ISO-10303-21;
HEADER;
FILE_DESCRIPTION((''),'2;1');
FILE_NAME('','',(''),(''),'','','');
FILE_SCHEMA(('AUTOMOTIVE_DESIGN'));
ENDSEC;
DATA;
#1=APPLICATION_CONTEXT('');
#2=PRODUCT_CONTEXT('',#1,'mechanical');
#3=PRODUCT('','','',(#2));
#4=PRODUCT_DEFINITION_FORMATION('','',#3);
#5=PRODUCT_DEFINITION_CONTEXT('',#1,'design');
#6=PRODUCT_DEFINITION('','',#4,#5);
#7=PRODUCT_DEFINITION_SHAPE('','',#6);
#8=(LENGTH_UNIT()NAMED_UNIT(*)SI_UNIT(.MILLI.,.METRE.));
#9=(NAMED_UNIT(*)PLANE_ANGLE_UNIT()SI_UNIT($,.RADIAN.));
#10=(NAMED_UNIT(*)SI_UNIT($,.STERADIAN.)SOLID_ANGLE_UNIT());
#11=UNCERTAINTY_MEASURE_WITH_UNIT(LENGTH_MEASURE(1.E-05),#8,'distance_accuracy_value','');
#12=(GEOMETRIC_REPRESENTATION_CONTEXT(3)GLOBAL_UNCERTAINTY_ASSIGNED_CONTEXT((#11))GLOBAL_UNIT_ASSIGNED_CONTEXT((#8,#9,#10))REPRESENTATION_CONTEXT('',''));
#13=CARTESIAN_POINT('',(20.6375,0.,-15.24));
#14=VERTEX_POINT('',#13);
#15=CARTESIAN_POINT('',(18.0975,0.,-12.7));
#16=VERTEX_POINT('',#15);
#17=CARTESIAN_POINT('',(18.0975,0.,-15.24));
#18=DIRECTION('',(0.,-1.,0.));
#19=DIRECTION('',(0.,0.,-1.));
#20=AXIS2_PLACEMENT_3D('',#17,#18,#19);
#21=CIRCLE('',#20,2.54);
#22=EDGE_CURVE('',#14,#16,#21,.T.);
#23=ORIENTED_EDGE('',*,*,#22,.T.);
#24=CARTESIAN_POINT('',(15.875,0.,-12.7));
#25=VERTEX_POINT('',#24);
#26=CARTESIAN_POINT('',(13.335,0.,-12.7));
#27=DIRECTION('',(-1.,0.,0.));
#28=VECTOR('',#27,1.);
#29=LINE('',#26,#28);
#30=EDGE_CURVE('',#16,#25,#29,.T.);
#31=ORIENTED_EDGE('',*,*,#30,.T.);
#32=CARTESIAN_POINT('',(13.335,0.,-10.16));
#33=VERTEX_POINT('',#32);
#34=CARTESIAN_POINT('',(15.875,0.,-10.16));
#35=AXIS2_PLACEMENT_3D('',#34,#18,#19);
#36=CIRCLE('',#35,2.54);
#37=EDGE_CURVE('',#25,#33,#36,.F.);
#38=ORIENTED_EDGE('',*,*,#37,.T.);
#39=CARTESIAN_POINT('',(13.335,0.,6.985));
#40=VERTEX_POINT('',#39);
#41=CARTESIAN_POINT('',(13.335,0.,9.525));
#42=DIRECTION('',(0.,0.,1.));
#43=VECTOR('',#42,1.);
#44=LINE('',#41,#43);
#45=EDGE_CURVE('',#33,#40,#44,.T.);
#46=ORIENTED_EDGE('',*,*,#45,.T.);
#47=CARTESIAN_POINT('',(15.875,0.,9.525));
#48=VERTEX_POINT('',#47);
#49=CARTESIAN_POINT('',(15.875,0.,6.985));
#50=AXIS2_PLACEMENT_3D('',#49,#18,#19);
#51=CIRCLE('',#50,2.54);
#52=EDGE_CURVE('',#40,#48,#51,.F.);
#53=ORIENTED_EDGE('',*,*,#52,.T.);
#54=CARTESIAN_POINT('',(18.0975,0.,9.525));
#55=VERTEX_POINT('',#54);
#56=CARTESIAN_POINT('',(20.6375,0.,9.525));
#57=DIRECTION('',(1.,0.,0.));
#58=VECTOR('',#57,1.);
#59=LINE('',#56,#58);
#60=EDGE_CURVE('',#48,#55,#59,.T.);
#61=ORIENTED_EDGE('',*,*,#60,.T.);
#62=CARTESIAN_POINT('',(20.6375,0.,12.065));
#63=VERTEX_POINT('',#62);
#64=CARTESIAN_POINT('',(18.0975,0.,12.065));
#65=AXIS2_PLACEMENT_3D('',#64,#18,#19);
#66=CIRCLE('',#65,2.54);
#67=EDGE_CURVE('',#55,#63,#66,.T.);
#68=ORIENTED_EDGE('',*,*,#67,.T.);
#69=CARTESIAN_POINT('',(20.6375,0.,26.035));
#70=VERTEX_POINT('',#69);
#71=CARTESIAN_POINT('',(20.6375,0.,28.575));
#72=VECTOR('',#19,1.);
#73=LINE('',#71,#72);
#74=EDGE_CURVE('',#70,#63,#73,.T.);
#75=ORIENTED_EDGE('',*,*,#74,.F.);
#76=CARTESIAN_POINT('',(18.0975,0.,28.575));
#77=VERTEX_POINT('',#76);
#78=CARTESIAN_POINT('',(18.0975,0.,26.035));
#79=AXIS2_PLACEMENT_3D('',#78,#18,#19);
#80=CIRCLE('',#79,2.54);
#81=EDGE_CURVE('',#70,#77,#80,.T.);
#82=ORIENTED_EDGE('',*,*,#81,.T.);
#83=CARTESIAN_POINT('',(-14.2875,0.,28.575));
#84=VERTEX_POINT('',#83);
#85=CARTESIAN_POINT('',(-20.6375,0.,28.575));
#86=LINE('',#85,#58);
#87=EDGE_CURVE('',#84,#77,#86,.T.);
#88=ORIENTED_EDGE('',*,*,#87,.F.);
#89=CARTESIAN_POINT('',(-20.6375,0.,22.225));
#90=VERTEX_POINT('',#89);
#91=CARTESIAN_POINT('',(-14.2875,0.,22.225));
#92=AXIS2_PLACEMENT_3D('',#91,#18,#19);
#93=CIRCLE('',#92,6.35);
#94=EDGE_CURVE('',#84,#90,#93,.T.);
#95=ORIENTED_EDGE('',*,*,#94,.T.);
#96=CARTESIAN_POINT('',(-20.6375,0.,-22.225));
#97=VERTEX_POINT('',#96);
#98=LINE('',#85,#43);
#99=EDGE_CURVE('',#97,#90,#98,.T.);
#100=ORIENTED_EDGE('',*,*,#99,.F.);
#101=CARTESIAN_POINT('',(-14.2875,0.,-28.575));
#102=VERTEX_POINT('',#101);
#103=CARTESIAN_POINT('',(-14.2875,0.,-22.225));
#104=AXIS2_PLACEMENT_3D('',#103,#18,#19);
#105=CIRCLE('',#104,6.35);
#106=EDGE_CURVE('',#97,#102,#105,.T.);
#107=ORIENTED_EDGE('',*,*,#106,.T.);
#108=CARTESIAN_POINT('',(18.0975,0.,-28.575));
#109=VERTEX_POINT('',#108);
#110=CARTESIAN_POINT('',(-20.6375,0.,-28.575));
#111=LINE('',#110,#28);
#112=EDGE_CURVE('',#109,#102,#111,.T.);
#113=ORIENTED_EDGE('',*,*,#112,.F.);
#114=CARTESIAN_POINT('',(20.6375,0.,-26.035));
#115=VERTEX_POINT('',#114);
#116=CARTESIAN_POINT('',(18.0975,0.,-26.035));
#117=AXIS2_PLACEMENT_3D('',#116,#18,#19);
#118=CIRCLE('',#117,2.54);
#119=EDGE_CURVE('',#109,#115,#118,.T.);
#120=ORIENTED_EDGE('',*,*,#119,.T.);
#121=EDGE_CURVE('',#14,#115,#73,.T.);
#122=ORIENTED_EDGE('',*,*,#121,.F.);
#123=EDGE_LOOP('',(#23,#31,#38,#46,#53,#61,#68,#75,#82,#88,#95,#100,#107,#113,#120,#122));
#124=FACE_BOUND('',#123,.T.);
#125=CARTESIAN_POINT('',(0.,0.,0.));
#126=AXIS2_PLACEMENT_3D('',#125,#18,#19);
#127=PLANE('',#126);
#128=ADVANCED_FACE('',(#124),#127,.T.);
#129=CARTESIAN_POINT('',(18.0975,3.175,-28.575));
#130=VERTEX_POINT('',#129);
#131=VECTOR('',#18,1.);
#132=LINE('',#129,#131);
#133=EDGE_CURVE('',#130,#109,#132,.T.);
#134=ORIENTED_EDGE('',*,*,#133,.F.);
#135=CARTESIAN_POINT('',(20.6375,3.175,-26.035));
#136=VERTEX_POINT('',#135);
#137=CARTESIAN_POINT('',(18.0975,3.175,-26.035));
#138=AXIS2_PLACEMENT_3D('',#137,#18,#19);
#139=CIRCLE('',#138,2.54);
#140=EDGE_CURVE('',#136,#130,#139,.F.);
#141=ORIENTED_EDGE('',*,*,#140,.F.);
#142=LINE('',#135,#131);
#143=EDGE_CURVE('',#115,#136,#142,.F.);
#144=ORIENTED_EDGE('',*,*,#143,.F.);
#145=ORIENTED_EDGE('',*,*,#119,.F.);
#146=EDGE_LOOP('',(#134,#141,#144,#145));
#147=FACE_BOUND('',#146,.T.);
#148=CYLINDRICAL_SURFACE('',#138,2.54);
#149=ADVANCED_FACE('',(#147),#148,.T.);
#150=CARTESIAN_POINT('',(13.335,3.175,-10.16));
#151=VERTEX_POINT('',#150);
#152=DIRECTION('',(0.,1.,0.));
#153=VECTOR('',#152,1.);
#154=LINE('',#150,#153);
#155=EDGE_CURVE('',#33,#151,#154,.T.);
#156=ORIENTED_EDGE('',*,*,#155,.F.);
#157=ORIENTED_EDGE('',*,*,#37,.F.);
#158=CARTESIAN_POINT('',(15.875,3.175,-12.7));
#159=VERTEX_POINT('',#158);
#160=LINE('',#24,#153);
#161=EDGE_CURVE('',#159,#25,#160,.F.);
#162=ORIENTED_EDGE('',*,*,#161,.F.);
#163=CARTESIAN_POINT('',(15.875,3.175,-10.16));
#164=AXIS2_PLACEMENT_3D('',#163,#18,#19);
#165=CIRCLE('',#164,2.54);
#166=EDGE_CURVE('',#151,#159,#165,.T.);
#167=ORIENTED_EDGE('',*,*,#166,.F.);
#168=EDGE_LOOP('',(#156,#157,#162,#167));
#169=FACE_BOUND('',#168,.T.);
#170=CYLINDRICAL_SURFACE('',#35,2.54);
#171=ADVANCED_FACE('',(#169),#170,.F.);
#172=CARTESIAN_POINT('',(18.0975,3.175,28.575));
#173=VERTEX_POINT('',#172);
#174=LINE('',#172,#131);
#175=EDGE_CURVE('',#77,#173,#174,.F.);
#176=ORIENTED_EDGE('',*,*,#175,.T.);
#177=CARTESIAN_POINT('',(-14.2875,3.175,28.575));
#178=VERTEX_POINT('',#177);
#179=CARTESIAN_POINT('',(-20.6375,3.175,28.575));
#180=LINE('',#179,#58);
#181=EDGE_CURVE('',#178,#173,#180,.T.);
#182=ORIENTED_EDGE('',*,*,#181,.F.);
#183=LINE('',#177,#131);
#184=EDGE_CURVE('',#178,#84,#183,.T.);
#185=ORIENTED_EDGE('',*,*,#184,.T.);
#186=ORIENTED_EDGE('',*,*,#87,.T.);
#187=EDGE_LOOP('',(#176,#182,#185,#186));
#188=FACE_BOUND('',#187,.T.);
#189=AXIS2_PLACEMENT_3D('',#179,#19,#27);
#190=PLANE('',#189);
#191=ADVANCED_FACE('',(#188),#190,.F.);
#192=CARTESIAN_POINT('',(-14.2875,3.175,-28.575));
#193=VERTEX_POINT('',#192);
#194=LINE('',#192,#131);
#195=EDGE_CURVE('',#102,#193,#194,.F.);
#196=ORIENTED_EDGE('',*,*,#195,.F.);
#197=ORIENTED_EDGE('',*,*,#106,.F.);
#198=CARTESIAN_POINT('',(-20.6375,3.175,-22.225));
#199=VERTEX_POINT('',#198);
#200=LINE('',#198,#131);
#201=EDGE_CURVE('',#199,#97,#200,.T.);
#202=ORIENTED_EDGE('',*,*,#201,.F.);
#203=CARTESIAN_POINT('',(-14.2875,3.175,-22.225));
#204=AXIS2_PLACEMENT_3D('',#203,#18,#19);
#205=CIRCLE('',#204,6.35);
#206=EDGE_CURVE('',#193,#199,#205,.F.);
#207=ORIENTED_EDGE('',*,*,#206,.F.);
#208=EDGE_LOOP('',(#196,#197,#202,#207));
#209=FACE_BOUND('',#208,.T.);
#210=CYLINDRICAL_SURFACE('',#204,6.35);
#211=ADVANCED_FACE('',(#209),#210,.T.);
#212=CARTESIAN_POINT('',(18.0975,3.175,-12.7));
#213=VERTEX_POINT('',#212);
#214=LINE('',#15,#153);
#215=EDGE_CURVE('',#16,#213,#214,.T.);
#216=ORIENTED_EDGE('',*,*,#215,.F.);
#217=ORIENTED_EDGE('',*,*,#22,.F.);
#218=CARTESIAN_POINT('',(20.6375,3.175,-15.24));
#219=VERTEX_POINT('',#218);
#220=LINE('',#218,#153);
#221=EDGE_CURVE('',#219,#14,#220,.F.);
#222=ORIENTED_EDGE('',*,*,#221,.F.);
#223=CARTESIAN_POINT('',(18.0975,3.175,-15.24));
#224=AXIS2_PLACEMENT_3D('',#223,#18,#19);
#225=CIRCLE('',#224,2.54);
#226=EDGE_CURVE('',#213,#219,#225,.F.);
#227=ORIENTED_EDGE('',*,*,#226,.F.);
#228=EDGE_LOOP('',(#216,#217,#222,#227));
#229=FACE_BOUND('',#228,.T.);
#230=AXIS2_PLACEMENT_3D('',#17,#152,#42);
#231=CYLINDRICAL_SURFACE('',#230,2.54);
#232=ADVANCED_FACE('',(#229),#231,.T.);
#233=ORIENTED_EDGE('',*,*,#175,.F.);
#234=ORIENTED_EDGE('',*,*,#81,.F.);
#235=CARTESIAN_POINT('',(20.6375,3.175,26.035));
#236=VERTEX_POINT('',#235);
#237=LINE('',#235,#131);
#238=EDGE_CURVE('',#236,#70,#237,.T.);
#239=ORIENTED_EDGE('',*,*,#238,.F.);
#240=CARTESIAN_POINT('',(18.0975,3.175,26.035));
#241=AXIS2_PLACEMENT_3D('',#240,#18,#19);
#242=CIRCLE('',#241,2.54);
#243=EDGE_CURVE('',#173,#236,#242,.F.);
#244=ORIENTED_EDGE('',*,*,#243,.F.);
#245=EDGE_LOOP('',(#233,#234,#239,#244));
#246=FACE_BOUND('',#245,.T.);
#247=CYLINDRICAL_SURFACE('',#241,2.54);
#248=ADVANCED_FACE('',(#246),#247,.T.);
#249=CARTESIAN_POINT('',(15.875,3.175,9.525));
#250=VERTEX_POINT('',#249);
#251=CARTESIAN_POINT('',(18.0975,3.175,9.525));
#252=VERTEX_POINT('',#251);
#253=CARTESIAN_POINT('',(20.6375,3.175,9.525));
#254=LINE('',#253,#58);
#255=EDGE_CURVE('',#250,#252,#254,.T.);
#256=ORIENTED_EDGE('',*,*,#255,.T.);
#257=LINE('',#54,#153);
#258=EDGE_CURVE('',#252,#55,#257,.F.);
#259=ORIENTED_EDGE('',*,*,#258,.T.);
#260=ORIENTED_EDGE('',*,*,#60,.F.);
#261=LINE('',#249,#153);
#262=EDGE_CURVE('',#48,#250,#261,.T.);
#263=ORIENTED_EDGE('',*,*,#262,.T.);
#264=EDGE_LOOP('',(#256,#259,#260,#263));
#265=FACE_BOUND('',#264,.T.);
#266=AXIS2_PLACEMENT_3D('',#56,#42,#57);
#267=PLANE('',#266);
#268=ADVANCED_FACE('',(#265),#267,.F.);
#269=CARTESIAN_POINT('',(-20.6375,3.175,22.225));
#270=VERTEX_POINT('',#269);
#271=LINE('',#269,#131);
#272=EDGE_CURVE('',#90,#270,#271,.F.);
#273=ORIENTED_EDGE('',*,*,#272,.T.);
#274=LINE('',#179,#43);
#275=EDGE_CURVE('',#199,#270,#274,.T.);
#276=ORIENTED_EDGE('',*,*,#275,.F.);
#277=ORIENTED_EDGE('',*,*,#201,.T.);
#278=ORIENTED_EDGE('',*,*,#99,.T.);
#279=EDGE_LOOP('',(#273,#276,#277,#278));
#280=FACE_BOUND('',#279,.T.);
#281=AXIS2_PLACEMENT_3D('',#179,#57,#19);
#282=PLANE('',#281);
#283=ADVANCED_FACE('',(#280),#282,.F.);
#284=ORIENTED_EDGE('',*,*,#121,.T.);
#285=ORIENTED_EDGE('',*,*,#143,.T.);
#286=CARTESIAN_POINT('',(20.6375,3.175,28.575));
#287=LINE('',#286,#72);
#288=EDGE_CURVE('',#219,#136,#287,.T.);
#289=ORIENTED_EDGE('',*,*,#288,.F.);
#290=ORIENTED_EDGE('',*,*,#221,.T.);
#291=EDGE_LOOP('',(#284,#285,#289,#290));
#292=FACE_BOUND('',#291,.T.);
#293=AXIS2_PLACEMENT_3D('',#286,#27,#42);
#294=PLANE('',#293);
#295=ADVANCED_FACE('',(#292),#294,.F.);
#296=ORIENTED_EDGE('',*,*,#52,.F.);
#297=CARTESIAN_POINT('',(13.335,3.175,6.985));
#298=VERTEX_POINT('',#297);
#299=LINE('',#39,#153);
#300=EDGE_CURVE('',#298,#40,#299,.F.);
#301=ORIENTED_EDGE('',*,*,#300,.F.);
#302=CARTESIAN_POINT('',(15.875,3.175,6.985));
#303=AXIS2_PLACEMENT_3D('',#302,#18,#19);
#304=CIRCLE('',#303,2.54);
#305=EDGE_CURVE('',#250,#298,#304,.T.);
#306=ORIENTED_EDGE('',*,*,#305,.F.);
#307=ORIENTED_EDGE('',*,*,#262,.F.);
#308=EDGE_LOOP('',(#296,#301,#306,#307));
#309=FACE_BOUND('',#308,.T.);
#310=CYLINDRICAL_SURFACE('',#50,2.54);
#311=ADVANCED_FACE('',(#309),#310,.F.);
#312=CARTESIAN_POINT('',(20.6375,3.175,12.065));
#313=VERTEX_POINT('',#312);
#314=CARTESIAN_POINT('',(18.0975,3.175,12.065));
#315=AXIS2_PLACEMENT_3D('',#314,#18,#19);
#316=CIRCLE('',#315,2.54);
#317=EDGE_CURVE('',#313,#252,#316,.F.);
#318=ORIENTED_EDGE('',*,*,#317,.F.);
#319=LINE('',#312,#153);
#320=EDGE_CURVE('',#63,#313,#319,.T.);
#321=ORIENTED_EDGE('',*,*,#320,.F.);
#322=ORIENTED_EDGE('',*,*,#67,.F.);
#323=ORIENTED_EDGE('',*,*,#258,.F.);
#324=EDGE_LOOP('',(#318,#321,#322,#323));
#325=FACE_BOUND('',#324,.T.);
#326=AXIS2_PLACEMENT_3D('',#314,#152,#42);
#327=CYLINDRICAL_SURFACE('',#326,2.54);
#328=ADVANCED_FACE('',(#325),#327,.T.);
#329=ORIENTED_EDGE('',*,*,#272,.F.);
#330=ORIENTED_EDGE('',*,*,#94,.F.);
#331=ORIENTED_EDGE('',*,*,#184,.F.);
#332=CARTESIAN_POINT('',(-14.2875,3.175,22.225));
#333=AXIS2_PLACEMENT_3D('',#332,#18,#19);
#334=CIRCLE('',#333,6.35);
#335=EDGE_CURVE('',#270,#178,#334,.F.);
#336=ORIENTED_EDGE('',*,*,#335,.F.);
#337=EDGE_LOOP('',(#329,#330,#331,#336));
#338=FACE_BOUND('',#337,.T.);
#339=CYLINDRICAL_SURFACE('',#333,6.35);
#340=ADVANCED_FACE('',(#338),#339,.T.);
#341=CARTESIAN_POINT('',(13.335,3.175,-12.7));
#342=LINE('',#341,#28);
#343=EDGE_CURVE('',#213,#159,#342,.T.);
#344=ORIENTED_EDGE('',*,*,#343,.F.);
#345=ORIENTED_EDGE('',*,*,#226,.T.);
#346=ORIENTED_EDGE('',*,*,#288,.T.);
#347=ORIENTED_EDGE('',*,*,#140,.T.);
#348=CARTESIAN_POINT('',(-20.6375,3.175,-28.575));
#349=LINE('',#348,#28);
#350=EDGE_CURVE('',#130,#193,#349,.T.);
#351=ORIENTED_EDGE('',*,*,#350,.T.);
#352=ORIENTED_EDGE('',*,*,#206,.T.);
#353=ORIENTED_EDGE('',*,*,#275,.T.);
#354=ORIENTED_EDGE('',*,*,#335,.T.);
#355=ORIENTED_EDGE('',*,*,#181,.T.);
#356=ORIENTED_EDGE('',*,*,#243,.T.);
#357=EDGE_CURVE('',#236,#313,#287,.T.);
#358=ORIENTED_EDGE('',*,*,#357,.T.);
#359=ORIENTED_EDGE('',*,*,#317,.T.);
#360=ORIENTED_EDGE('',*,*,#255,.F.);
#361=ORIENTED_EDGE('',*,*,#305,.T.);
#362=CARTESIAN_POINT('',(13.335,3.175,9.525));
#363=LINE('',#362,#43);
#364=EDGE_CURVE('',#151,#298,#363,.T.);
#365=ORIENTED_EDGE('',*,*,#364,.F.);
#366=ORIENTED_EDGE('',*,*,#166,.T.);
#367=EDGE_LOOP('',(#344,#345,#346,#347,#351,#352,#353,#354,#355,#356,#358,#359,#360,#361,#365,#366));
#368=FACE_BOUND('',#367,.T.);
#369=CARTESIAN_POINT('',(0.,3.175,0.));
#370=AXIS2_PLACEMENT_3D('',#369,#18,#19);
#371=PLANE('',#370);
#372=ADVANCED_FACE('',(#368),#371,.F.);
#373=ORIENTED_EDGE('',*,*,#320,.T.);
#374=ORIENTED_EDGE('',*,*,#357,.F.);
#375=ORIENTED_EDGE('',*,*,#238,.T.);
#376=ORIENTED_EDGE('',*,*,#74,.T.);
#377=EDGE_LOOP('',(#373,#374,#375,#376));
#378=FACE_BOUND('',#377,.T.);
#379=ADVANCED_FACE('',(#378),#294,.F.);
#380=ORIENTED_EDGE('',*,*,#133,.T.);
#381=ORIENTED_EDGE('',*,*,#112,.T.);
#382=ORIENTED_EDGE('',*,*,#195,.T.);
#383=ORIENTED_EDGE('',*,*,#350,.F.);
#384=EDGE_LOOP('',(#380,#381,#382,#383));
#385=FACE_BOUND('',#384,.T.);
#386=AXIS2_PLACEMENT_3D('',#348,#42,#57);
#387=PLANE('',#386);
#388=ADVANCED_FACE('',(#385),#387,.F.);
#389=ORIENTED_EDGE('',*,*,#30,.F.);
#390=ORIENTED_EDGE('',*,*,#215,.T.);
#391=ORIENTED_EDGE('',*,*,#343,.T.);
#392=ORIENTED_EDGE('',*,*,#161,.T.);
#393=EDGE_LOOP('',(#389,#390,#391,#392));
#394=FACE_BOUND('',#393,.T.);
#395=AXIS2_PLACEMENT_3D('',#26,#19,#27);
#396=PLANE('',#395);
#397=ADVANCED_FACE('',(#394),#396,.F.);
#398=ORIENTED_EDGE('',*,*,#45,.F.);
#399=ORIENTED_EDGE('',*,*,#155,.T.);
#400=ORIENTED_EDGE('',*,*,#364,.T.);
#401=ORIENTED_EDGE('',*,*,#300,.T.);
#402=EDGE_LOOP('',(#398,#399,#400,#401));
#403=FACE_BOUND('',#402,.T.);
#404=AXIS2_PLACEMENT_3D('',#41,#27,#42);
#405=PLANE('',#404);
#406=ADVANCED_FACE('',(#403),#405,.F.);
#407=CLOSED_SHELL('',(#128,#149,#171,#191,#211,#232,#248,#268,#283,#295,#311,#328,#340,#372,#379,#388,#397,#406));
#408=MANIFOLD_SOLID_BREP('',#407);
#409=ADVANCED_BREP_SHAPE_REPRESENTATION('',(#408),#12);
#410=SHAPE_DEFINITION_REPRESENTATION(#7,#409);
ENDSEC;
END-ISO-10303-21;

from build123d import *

# Parameters (mm, degrees)
SKETCH1_W           = 41.275
SKETCH1_H           = 57.15
BOSS_EXTRUDE1_DEPTH = 3.175
SKETCH2_W           = 7.3025
SKETCH2_H           = 22.225
CUT_EXTRUDE2_DEPTH  = 36.390926185
FILLET1_R           = 2.54
FILLET2_R           = 6.35


with BuildPart() as part:
    # Sketch1 → Boss-Extrude1 (new body)
    with BuildSketch(Plane(origin=(0, 0, 0), x_dir=(1, 0, 0), z_dir=(0, 1, 0))):
        Rectangle(SKETCH1_W, SKETCH1_H)
    extrude(amount=BOSS_EXTRUDE1_DEPTH)

    # Sketch2 → Cut-Extrude2 (cut, through all)
    with BuildSketch(Plane(origin=(0, 3.175, 0), x_dir=(1, 0, 0), z_dir=(0, 1, 0))):
        with Locations((16.98625, 1.5875)):
            Rectangle(SKETCH2_W, SKETCH2_H)
    extrude(amount=-CUT_EXTRUDE2_DEPTH, mode=Mode.SUBTRACT)

    # Fillet1
    fillet1_edges = [part.edges().sort_by_distance(p)[0] for p in [
        (20.6375, 1.5875, -12.7),
        (20.6375, 1.5875, 9.525),
        (13.335, 1.5875, 9.525),
        (13.335, 1.5875, -12.7),
        (20.6375, 1.5875, 28.575),
        (20.6375, 1.5875, -28.575),
    ]]
    fillet(fillet1_edges, radius=FILLET1_R)

    # Fillet2
    fillet2_edges = [part.edges().sort_by_distance(p)[0] for p in [
        (-20.6375, 1.5875, 28.575),
        (-20.6375, 1.5875, -28.575),
    ]]
    fillet(fillet2_edges, radius=FILLET2_R)


solid = part.part
